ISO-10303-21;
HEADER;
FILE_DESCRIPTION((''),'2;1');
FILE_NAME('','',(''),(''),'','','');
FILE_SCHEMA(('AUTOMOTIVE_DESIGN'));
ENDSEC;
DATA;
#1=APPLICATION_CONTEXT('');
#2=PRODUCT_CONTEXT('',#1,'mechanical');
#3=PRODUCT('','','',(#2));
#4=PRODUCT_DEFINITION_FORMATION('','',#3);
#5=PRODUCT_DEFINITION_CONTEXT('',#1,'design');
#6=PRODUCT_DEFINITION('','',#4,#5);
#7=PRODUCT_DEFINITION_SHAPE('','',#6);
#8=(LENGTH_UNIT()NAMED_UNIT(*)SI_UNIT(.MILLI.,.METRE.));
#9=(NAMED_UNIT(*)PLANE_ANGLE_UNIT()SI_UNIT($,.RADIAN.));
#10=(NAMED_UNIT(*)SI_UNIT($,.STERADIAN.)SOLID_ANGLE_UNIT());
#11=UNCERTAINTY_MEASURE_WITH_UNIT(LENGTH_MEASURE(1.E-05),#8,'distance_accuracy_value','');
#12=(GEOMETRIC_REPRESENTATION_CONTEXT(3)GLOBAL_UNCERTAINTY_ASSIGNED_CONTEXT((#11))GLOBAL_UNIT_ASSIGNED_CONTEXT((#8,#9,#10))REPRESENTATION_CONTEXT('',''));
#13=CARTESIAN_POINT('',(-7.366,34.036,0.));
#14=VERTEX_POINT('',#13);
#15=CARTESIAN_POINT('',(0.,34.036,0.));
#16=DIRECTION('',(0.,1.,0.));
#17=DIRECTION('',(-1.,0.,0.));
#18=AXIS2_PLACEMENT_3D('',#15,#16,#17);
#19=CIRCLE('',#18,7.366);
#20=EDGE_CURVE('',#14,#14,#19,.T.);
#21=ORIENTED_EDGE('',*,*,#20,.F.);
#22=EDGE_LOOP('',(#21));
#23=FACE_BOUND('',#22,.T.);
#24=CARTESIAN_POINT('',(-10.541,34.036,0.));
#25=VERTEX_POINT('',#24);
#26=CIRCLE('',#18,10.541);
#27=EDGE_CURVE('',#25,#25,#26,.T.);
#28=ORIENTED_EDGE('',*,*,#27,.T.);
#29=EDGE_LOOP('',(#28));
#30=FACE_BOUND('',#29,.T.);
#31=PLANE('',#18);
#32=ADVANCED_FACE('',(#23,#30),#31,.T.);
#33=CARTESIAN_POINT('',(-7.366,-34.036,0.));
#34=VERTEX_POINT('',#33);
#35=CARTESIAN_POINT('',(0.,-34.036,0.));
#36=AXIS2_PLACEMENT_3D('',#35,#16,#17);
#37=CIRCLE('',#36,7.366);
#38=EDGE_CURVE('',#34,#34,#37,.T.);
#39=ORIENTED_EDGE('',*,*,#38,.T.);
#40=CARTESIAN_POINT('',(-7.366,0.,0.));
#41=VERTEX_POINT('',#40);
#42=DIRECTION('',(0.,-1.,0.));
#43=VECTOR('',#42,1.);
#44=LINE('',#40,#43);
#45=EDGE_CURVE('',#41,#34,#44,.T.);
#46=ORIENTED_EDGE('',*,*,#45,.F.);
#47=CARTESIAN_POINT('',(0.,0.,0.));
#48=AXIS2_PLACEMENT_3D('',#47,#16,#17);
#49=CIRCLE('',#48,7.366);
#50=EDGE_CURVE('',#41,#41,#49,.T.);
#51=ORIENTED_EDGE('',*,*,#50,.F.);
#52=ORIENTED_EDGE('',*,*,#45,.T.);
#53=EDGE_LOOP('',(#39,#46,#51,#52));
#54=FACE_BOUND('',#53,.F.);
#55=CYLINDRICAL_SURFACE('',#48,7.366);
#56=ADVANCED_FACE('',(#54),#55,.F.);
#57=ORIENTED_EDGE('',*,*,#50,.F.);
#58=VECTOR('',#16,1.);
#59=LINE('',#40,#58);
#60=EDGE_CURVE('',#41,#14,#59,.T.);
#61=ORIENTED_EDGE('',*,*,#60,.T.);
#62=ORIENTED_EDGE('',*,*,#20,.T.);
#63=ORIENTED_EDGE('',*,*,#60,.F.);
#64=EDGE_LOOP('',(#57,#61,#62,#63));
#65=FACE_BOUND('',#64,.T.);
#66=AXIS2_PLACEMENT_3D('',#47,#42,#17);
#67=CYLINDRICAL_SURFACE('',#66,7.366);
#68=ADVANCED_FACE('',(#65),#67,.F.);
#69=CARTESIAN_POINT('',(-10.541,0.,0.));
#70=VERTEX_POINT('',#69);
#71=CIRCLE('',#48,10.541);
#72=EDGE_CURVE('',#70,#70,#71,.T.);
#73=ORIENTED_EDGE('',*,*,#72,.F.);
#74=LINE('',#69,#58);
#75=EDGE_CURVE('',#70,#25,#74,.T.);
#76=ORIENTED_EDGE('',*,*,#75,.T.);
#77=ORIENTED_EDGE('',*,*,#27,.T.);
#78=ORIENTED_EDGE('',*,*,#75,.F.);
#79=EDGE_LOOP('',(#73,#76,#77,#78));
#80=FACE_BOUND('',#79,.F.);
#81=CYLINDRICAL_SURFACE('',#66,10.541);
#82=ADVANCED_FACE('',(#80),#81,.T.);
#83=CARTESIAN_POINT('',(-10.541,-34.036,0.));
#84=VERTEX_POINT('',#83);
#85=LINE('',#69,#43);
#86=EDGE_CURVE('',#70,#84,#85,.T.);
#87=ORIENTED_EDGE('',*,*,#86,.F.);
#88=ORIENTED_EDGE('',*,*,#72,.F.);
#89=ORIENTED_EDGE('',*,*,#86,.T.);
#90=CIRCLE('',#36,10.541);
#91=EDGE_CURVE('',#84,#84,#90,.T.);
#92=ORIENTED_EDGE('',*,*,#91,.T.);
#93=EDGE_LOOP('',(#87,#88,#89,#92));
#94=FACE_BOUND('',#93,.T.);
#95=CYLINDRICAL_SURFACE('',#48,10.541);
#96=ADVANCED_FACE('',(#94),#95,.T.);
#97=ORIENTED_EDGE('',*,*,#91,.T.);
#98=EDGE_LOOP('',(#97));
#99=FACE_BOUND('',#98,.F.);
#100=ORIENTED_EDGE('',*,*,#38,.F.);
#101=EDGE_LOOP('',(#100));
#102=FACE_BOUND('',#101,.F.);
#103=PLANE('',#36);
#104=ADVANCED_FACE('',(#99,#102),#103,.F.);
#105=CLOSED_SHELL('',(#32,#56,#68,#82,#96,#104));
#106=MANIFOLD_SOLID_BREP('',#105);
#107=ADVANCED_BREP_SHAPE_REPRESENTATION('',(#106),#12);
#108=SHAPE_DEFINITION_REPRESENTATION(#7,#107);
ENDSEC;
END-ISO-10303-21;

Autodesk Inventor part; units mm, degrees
ref_plane "YZ Plane" through (0, 0, 0) normal (1, 0, 0) x (0, 1, 0)
ref_plane "XZ Plane" through (0, 0, 0) normal (0, 1, 0) x (-1, 0, 0)
ref_plane "XY Plane" through (0, 0, 0) normal (0, 0, 1) x (1, 0, 0)
sketch "Sketch1" plane through (0, 0, 0) normal (0, 1, 0) x (-1, 0, 0)
  circle A0 centre (0, 0) radius 7.366
  circle A1 centre (0, 0) radius 10.541
  dimension "d0" = 14.732
  dimension "d1" = 3.175
extrude "Extrusion1" add sketch "Sketch1" along normal mid plane 68.072
properties part number "CL-S-006" material "ABS Plastic"
